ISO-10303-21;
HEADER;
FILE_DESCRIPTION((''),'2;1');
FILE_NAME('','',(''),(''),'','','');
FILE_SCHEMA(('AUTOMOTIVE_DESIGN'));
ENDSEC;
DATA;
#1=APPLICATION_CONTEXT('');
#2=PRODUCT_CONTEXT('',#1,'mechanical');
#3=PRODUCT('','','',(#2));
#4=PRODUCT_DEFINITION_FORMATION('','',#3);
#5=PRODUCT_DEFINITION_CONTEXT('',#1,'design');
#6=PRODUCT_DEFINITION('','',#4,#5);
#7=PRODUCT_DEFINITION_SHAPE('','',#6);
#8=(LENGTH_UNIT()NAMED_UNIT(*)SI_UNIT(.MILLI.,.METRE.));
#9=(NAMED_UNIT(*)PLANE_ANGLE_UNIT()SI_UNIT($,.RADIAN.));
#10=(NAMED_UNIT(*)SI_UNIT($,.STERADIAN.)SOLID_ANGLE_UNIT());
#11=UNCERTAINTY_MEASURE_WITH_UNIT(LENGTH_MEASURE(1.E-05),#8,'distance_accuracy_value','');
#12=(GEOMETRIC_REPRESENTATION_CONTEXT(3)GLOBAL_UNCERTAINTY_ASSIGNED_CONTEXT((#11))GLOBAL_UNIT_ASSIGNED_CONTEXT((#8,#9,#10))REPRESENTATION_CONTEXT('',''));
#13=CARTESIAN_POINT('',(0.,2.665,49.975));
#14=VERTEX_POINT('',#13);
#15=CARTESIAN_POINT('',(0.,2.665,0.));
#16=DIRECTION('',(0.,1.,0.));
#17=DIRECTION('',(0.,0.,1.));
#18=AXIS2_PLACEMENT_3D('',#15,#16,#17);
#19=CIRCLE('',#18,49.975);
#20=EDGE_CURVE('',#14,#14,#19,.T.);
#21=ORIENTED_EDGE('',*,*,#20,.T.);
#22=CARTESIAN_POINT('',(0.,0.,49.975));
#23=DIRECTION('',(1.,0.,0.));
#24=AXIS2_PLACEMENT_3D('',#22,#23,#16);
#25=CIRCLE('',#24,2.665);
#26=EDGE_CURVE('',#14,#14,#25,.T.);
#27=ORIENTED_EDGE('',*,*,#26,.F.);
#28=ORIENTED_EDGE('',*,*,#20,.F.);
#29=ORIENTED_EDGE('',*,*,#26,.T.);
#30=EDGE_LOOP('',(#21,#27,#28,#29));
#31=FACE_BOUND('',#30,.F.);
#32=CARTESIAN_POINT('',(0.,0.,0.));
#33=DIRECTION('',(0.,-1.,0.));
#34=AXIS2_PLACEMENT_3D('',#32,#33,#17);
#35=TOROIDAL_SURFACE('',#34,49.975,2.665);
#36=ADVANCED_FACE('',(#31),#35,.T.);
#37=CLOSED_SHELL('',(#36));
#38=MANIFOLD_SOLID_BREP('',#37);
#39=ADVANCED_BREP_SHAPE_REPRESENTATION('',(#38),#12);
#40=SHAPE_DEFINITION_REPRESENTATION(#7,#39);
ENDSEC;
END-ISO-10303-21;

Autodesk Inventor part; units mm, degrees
ref_plane "YZ Plane" through (0, 0, 0) normal (1, 0, 0) x (0, 1, 0)
ref_plane "XY Plane" through (0, 0, 0) normal (0, 0, 1) x (1, 0, 0)
sketch "Sketch1" plane through (0, 0, 0) normal (1, 0, 0) x (0, 1, 0)
  circle A0 centre (0, 49.975) radius 2.665
  line L0 (0, 0) -> (2.0054, 0)
  dimension "d0" = 5.33
  dimension "d1" = 49.975
revolve "Revolution1" add sketch "Sketch1" angle 360 about axis through (0, 0, 0) along (0, 1, 0)
ref_plane "Work Plane2" through (0, -2.665, 0) normal (0, 1, 0) x (-1, 0, 0)
ref_plane "Work Plane1" through (0, 2.665, 0) normal (0, 1, 0) x (-1, 0, 0)
sketch "Sketch2" plane through (0, 2.665, 0) normal (0, 1, 0) x (-1, 0, 0)
  circle A0 centre (0, 0) radius 47
  dimension "d5" = 94
sketch "Sketch3" plane through (0, -2.665, 0) normal (0, 1, 0) x (-1, 0, 0)
  circle A0 centre (0, 0) radius 45
  dimension "d6" = 90
properties part number "Oring 2-343" material "Rubber, Silicone"
